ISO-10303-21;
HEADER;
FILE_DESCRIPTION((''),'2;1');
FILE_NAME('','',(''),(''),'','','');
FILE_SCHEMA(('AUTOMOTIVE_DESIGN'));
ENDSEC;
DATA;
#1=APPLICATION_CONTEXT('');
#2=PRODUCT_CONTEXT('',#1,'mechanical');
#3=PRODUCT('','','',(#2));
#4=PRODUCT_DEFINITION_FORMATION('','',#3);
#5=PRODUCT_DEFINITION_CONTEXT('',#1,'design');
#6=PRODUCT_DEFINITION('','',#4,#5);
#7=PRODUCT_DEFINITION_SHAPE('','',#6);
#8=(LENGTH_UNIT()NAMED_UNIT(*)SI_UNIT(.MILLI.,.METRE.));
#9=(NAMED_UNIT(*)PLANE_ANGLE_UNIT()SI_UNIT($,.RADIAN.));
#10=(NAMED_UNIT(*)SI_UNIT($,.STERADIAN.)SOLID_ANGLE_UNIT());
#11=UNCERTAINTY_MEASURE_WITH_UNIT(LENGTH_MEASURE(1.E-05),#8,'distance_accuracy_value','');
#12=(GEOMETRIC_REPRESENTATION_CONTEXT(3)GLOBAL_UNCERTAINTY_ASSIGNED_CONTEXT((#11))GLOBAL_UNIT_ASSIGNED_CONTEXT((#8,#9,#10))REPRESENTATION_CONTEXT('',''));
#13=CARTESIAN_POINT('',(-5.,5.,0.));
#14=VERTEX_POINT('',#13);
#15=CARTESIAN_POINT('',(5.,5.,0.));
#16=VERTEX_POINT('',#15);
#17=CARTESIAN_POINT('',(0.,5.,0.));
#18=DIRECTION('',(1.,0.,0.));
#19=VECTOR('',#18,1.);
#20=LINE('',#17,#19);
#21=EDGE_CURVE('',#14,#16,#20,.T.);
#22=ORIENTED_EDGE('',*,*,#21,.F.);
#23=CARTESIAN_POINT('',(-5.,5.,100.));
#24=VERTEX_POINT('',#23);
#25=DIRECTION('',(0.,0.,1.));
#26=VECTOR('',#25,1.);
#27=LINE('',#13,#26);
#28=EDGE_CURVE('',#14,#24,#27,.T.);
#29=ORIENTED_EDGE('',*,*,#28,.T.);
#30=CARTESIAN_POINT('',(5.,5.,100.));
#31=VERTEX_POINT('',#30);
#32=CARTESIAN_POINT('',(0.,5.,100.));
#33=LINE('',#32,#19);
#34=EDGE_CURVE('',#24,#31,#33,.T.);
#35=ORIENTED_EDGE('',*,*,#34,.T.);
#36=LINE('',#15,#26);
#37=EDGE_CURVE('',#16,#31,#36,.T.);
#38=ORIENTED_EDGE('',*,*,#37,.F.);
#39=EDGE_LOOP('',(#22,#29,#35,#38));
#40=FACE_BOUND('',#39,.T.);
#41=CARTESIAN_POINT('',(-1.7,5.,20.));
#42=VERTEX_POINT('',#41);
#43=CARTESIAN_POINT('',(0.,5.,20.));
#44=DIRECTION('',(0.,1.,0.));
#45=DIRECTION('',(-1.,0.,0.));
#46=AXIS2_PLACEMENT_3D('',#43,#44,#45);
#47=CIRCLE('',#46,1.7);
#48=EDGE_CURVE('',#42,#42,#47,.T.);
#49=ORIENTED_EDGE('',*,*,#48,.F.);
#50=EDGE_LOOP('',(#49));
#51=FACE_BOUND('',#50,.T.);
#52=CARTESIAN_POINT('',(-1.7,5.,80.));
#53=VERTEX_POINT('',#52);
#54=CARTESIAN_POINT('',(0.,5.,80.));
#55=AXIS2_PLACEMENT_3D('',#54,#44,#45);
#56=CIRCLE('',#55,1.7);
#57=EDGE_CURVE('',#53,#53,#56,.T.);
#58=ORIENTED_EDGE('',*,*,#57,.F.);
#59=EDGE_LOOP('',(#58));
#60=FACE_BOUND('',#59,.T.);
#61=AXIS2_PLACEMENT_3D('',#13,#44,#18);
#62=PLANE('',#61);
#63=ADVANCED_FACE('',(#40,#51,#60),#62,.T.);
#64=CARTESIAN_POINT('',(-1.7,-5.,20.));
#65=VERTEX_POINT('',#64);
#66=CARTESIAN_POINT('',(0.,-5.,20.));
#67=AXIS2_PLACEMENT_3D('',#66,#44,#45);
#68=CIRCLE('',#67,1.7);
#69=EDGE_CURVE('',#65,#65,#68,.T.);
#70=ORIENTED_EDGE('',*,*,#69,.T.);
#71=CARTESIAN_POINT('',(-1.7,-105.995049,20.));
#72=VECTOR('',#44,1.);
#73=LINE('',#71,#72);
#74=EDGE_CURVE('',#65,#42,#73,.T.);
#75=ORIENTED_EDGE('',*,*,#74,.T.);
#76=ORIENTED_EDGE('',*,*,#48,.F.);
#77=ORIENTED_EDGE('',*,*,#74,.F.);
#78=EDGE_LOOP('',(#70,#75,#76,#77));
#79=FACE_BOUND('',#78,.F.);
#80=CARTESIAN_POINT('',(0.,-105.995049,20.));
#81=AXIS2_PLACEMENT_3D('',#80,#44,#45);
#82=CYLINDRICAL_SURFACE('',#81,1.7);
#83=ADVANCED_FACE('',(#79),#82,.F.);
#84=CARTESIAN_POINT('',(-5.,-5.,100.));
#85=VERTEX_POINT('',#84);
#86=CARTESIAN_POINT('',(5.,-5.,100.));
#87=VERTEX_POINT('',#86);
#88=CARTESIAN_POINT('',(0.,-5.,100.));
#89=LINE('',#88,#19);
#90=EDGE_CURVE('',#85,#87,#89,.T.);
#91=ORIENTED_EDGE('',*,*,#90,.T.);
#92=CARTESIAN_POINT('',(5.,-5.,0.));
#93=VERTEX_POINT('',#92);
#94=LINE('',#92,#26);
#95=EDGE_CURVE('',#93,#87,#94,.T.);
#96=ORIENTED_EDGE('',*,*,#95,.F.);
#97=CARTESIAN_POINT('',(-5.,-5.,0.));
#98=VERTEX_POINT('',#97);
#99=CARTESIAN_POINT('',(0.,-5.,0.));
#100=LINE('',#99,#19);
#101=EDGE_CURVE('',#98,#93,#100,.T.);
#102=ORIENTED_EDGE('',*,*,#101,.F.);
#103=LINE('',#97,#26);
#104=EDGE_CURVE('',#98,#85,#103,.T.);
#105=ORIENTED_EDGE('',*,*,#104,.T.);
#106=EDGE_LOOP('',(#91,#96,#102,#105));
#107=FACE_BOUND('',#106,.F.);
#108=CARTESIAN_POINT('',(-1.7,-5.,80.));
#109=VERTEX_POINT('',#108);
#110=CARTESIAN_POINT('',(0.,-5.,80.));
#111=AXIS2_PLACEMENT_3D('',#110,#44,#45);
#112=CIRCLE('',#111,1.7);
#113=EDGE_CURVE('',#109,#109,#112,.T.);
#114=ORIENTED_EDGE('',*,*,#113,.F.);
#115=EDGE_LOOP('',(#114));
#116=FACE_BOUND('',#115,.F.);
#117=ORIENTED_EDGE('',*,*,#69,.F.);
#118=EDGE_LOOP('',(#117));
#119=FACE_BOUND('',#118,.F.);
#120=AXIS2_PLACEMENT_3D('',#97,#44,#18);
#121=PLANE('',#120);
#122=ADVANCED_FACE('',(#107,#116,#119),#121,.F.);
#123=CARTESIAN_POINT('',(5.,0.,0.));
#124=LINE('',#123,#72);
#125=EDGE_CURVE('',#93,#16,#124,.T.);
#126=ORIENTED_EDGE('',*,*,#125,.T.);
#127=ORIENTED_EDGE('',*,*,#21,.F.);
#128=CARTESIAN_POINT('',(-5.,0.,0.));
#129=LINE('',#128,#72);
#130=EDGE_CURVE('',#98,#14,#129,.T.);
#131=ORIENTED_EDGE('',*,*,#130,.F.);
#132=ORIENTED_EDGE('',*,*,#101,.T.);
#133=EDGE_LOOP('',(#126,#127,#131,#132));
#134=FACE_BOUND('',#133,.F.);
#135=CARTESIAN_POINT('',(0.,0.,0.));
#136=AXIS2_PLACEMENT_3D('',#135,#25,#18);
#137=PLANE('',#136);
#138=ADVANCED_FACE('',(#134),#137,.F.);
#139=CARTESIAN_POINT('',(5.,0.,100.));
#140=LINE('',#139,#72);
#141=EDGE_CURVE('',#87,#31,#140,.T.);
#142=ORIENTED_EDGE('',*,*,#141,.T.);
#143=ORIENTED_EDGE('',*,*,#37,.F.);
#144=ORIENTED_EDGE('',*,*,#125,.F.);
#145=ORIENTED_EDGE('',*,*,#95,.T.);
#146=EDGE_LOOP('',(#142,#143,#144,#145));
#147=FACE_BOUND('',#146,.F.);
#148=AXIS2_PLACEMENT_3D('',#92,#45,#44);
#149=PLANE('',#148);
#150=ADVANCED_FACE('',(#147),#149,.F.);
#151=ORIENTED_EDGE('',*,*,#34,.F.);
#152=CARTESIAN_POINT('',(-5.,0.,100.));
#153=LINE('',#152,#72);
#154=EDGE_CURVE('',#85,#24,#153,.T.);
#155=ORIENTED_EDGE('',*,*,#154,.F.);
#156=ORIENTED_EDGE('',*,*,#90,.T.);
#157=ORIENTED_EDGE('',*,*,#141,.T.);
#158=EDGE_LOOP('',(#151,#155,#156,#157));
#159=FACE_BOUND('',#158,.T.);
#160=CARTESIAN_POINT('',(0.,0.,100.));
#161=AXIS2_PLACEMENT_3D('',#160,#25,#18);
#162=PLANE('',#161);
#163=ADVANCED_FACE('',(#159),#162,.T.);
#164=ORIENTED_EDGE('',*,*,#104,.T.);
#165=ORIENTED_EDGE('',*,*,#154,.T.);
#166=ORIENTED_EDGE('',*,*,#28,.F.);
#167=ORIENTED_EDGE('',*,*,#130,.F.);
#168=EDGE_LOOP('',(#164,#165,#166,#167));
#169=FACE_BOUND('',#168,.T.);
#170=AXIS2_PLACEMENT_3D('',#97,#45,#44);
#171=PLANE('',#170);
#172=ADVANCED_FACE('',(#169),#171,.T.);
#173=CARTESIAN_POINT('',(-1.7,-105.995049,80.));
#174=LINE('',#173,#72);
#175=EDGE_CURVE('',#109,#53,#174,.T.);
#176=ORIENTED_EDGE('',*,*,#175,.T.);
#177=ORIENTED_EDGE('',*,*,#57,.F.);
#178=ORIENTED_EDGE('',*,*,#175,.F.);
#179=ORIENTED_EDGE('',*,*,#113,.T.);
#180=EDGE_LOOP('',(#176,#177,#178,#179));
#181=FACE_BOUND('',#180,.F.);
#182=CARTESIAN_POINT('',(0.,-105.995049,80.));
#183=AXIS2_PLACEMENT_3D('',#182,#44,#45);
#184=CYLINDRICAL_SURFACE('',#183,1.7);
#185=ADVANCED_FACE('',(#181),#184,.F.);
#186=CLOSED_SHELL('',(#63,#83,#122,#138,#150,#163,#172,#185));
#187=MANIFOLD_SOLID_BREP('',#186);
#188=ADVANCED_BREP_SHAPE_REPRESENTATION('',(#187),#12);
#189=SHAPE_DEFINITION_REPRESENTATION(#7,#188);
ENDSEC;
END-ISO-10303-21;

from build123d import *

# Parameters (mm, degrees)
F0_W     = 10
F0_H     = 10
F1_DEPTH = 100
F3_D     = 3.4


with BuildPart() as f1:
    # F0 (on Top) → F1 (new body)
    with BuildSketch(Plane.XY):
        Rectangle(F0_W, F0_H)
    extrude(amount=F1_DEPTH)

    # F3 (through all)
    with Locations(Plane.XZ.offset(5)):
        with Locations((0, 80), (0, 20)):
            Hole(F3_D / 2)


solid = f1.part
